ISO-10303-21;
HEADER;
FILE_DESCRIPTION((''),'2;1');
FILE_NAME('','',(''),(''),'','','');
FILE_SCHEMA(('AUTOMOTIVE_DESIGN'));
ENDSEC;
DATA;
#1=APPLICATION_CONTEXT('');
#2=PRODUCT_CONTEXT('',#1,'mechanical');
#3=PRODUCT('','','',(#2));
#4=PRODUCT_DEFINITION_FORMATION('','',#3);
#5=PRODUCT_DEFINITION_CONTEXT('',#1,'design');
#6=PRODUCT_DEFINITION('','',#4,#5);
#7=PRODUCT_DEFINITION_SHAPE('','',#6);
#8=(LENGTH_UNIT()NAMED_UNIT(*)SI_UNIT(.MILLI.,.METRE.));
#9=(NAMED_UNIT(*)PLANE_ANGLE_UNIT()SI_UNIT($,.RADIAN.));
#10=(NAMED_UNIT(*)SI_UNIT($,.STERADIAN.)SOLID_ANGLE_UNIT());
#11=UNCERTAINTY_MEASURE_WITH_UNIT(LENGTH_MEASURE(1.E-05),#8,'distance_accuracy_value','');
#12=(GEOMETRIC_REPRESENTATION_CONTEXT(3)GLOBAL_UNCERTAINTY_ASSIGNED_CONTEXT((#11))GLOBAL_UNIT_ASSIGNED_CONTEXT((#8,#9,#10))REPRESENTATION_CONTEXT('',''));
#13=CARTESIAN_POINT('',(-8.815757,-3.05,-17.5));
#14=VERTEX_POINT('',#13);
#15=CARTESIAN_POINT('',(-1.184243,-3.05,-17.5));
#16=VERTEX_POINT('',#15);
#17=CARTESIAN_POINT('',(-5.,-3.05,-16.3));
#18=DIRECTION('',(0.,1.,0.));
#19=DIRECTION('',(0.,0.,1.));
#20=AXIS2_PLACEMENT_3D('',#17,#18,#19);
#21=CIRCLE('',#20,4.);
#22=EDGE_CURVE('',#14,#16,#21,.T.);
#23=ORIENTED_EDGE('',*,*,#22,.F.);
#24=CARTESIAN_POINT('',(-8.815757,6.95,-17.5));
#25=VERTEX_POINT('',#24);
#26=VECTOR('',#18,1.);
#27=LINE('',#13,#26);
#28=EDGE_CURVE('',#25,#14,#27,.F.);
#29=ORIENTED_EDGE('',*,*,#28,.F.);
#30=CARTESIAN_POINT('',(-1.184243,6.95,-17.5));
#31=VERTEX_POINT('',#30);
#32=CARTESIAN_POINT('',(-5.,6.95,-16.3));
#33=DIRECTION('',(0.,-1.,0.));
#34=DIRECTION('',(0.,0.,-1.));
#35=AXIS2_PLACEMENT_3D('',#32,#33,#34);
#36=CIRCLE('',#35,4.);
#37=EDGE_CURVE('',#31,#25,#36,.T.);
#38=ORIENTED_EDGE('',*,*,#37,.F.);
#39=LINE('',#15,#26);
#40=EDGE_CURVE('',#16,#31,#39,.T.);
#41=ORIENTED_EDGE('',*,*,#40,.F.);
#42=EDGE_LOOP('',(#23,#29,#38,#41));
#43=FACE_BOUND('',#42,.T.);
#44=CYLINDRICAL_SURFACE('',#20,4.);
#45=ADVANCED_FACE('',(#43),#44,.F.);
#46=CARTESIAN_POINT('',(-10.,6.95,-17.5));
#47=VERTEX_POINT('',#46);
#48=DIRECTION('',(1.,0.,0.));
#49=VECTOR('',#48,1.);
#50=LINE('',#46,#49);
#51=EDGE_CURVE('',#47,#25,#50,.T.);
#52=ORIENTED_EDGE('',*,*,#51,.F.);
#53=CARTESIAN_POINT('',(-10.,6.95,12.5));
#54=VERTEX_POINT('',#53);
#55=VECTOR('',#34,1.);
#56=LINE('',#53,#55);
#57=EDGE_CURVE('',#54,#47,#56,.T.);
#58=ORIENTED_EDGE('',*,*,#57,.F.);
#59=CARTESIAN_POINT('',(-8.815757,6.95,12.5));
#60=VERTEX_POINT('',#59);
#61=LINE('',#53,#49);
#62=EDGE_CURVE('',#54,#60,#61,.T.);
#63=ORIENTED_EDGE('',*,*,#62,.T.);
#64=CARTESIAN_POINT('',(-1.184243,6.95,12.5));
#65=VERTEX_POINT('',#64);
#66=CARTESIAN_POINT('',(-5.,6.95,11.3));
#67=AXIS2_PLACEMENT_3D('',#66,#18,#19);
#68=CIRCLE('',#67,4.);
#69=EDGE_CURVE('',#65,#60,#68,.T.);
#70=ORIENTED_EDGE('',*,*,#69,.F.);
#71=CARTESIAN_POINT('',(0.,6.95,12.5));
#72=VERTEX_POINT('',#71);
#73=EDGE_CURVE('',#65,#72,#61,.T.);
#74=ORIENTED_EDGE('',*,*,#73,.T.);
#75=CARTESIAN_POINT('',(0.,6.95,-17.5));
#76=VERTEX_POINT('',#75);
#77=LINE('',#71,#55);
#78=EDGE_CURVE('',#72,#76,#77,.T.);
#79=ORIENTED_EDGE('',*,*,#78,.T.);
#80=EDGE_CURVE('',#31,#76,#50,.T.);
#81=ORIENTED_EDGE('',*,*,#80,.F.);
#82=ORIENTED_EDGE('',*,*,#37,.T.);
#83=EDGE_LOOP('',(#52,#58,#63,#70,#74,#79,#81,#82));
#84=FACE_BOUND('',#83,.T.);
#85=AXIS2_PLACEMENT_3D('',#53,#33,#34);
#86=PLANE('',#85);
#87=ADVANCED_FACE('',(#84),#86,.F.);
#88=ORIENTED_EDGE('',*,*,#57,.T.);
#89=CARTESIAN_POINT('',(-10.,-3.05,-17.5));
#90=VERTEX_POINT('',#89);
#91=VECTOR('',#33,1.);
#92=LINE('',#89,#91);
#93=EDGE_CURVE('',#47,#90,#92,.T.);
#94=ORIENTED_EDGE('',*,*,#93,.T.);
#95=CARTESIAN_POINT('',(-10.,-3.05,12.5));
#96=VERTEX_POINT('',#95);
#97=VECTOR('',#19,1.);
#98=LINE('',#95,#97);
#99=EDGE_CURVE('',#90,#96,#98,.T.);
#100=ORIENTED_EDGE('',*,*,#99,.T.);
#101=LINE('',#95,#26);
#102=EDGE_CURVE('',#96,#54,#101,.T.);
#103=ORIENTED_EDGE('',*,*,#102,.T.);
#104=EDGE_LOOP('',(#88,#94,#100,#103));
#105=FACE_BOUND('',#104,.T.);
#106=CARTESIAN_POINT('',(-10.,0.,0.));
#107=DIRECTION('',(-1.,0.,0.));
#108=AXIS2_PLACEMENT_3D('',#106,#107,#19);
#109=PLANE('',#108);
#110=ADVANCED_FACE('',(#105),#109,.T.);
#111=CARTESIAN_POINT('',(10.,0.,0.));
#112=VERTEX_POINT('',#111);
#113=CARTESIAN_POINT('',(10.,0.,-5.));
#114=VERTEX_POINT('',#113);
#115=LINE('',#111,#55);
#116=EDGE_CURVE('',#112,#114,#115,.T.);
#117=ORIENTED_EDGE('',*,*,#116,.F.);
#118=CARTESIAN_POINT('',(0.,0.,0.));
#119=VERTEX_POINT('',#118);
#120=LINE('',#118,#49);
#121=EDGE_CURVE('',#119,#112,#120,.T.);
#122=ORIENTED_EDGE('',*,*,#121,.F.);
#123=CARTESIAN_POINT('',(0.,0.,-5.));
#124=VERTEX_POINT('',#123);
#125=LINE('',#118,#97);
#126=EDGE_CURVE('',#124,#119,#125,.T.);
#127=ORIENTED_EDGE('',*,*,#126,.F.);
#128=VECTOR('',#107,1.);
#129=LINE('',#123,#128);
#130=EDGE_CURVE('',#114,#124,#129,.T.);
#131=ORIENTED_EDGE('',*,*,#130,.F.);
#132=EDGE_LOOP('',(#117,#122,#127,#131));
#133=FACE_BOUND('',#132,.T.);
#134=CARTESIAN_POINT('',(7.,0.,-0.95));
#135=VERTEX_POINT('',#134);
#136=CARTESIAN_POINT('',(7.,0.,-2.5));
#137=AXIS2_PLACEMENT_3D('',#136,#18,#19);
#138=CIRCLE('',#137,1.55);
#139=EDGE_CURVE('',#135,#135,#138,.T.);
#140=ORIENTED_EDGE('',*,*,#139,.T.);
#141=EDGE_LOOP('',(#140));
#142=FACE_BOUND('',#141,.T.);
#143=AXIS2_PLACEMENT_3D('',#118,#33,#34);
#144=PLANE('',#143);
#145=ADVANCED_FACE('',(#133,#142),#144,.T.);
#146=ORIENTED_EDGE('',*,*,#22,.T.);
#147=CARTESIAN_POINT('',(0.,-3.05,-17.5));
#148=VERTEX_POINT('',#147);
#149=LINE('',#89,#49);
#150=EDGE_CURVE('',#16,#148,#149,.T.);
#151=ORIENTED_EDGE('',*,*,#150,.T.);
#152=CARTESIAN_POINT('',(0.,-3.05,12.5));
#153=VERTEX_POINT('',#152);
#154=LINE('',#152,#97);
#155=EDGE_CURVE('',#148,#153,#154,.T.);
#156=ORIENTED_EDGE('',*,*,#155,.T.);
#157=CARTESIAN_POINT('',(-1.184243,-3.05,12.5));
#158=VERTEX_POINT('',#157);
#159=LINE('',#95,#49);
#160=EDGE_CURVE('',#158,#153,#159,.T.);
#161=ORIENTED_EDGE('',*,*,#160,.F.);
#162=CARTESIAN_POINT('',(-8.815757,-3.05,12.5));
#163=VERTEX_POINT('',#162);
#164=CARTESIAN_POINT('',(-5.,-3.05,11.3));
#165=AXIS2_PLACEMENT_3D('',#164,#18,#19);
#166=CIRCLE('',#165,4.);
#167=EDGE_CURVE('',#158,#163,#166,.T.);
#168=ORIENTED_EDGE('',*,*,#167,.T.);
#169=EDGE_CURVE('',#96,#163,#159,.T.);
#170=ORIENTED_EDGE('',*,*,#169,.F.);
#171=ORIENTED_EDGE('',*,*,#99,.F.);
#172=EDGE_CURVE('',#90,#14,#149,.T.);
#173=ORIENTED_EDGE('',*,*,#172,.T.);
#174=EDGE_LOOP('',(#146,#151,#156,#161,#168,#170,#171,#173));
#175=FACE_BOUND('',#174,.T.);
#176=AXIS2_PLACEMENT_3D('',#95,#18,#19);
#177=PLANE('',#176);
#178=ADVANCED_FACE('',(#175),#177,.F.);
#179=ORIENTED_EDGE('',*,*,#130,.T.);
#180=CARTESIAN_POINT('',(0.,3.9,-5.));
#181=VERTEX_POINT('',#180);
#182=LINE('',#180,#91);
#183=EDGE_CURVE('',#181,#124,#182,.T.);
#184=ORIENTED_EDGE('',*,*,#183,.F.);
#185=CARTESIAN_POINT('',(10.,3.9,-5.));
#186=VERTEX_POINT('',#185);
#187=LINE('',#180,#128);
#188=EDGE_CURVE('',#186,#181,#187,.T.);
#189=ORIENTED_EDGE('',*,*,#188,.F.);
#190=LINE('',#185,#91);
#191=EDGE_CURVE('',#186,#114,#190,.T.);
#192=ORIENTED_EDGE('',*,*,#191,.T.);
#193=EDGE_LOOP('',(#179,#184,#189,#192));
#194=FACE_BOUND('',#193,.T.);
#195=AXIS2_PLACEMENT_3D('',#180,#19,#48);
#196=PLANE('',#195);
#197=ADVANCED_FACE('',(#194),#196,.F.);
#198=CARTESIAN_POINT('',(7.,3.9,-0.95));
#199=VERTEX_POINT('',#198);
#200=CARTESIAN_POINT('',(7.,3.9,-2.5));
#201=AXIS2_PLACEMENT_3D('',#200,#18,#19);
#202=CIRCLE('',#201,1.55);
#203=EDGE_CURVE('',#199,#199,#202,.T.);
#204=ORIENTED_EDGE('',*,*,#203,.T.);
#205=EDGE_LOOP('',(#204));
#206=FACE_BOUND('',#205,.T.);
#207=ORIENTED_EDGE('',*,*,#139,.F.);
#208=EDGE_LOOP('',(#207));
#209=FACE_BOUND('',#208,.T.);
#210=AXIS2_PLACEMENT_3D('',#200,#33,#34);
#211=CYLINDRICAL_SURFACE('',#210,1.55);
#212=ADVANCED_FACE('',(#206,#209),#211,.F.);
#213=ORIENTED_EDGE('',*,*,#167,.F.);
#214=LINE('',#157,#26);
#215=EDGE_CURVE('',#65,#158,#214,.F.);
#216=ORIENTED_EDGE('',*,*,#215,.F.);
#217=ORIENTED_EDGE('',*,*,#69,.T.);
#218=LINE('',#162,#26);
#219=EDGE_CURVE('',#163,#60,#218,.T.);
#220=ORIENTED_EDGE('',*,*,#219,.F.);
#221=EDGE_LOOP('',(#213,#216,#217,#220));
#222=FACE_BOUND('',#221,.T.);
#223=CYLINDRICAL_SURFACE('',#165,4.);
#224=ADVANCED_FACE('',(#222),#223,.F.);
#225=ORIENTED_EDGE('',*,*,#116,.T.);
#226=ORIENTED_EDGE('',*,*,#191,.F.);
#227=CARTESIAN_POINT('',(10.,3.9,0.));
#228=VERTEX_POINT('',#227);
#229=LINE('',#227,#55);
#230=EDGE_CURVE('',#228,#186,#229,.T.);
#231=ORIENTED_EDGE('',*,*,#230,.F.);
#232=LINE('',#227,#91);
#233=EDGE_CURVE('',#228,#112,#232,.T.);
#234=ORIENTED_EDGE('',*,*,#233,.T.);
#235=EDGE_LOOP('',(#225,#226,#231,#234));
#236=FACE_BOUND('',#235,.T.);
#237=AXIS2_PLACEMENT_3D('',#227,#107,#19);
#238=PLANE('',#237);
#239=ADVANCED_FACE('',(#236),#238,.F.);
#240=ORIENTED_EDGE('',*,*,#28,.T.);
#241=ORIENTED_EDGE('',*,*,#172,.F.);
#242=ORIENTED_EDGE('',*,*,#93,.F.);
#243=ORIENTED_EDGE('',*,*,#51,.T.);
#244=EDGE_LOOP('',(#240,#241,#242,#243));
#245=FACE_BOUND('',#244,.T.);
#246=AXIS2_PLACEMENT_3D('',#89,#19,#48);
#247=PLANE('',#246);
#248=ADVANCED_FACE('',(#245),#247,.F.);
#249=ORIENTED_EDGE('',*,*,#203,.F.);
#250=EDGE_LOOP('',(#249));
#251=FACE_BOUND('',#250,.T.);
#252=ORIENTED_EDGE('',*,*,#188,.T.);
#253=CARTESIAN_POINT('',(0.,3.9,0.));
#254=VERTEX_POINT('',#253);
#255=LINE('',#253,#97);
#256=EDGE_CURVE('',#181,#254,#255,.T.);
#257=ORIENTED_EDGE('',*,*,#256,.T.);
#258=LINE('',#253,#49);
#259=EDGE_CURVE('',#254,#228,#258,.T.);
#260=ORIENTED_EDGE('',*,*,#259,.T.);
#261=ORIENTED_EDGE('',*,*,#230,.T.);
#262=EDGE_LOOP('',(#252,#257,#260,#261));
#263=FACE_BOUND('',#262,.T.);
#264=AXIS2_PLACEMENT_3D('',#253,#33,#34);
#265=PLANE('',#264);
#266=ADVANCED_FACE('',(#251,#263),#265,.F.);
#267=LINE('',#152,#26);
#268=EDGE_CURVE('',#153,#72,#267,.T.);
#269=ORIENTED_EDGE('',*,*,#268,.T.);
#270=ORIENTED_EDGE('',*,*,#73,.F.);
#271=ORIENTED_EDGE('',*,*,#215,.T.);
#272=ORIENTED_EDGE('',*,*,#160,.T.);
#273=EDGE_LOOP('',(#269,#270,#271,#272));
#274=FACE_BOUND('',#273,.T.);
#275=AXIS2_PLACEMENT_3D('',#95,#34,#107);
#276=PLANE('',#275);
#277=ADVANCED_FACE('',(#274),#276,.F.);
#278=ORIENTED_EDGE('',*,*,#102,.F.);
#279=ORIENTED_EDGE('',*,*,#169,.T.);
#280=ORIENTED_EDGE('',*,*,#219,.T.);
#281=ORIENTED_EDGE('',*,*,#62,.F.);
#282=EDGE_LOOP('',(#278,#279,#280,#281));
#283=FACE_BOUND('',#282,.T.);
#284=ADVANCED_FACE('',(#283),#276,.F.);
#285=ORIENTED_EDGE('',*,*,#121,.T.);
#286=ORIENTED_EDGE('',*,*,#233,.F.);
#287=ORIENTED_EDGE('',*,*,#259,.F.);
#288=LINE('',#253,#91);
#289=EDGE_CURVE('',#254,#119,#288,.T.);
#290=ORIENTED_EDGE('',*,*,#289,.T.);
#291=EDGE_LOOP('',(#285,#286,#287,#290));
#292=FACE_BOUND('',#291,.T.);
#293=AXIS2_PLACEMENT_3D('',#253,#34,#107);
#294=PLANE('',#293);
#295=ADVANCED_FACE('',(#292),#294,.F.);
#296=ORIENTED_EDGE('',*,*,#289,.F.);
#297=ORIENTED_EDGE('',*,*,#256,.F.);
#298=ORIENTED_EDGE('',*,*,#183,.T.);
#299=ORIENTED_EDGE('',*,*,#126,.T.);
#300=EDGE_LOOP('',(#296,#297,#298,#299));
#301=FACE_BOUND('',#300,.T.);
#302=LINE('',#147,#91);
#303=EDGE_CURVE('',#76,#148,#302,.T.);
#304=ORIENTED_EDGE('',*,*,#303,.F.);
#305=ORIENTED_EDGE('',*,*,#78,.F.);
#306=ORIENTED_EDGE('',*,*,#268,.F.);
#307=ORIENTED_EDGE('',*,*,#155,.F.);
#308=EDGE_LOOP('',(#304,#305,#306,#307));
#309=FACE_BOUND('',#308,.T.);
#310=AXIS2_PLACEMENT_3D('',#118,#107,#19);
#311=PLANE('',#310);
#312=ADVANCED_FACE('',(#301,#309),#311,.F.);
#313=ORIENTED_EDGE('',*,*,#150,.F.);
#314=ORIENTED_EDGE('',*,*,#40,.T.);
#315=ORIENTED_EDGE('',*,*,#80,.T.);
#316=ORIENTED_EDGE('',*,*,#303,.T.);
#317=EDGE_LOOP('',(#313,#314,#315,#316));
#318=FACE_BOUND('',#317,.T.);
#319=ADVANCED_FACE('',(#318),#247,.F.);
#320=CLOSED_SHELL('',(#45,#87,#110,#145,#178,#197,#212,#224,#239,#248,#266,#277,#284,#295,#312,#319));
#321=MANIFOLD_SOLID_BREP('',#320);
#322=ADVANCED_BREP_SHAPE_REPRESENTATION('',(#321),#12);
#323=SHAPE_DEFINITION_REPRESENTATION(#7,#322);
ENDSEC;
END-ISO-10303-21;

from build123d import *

# Parameters (mm, degrees)
SKETCH_1_W          = 10
SKETCH_1_H          = 5
SKETCH_1_R          = 1.55
EXTRUDE_1_DEPTH     = 3.9
SKETCH_2_W          = 30
SKETCH_2_H          = 10
EXTRUDE_2_DEPTH     = 10
SKETCH_3_R          = 4
CUT_EXTRUDE_1_DEPTH = 10


with BuildPart() as part:
    # 草图1 → 凸台-拉伸1 (new body)
    with BuildSketch(Plane(origin=(0, 0, 0), x_dir=(1, 0, 0), z_dir=(0, 1, 0))):
        with Locations((5, 2.5)):
            Rectangle(SKETCH_1_W, SKETCH_1_H)
        with Locations(Location((7, 2.5, 0), (0, 0, 270))):
            Circle(SKETCH_1_R, mode=Mode.SUBTRACT)
    extrude(amount=EXTRUDE_1_DEPTH)

    # 草图2 → 凸台-拉伸2 (add)
    with BuildSketch(Plane.ZY):
        with Locations((-2.5, 1.95)):
            Rectangle(SKETCH_2_W, SKETCH_2_H)
    extrude(amount=EXTRUDE_2_DEPTH)

    # 草图3 → 切除-拉伸1 (cut)
    with BuildSketch(Plane(origin=(0, 6.95, 0), x_dir=(1, 0, 0), z_dir=(0, 1, 0))):
        with Locations((-5, 16.3)):
            Circle(SKETCH_3_R)
        with Locations((-5, -11.3)):
            Circle(SKETCH_3_R)
    extrude(amount=-CUT_EXTRUDE_1_DEPTH, mode=Mode.SUBTRACT)


solid = part.part
